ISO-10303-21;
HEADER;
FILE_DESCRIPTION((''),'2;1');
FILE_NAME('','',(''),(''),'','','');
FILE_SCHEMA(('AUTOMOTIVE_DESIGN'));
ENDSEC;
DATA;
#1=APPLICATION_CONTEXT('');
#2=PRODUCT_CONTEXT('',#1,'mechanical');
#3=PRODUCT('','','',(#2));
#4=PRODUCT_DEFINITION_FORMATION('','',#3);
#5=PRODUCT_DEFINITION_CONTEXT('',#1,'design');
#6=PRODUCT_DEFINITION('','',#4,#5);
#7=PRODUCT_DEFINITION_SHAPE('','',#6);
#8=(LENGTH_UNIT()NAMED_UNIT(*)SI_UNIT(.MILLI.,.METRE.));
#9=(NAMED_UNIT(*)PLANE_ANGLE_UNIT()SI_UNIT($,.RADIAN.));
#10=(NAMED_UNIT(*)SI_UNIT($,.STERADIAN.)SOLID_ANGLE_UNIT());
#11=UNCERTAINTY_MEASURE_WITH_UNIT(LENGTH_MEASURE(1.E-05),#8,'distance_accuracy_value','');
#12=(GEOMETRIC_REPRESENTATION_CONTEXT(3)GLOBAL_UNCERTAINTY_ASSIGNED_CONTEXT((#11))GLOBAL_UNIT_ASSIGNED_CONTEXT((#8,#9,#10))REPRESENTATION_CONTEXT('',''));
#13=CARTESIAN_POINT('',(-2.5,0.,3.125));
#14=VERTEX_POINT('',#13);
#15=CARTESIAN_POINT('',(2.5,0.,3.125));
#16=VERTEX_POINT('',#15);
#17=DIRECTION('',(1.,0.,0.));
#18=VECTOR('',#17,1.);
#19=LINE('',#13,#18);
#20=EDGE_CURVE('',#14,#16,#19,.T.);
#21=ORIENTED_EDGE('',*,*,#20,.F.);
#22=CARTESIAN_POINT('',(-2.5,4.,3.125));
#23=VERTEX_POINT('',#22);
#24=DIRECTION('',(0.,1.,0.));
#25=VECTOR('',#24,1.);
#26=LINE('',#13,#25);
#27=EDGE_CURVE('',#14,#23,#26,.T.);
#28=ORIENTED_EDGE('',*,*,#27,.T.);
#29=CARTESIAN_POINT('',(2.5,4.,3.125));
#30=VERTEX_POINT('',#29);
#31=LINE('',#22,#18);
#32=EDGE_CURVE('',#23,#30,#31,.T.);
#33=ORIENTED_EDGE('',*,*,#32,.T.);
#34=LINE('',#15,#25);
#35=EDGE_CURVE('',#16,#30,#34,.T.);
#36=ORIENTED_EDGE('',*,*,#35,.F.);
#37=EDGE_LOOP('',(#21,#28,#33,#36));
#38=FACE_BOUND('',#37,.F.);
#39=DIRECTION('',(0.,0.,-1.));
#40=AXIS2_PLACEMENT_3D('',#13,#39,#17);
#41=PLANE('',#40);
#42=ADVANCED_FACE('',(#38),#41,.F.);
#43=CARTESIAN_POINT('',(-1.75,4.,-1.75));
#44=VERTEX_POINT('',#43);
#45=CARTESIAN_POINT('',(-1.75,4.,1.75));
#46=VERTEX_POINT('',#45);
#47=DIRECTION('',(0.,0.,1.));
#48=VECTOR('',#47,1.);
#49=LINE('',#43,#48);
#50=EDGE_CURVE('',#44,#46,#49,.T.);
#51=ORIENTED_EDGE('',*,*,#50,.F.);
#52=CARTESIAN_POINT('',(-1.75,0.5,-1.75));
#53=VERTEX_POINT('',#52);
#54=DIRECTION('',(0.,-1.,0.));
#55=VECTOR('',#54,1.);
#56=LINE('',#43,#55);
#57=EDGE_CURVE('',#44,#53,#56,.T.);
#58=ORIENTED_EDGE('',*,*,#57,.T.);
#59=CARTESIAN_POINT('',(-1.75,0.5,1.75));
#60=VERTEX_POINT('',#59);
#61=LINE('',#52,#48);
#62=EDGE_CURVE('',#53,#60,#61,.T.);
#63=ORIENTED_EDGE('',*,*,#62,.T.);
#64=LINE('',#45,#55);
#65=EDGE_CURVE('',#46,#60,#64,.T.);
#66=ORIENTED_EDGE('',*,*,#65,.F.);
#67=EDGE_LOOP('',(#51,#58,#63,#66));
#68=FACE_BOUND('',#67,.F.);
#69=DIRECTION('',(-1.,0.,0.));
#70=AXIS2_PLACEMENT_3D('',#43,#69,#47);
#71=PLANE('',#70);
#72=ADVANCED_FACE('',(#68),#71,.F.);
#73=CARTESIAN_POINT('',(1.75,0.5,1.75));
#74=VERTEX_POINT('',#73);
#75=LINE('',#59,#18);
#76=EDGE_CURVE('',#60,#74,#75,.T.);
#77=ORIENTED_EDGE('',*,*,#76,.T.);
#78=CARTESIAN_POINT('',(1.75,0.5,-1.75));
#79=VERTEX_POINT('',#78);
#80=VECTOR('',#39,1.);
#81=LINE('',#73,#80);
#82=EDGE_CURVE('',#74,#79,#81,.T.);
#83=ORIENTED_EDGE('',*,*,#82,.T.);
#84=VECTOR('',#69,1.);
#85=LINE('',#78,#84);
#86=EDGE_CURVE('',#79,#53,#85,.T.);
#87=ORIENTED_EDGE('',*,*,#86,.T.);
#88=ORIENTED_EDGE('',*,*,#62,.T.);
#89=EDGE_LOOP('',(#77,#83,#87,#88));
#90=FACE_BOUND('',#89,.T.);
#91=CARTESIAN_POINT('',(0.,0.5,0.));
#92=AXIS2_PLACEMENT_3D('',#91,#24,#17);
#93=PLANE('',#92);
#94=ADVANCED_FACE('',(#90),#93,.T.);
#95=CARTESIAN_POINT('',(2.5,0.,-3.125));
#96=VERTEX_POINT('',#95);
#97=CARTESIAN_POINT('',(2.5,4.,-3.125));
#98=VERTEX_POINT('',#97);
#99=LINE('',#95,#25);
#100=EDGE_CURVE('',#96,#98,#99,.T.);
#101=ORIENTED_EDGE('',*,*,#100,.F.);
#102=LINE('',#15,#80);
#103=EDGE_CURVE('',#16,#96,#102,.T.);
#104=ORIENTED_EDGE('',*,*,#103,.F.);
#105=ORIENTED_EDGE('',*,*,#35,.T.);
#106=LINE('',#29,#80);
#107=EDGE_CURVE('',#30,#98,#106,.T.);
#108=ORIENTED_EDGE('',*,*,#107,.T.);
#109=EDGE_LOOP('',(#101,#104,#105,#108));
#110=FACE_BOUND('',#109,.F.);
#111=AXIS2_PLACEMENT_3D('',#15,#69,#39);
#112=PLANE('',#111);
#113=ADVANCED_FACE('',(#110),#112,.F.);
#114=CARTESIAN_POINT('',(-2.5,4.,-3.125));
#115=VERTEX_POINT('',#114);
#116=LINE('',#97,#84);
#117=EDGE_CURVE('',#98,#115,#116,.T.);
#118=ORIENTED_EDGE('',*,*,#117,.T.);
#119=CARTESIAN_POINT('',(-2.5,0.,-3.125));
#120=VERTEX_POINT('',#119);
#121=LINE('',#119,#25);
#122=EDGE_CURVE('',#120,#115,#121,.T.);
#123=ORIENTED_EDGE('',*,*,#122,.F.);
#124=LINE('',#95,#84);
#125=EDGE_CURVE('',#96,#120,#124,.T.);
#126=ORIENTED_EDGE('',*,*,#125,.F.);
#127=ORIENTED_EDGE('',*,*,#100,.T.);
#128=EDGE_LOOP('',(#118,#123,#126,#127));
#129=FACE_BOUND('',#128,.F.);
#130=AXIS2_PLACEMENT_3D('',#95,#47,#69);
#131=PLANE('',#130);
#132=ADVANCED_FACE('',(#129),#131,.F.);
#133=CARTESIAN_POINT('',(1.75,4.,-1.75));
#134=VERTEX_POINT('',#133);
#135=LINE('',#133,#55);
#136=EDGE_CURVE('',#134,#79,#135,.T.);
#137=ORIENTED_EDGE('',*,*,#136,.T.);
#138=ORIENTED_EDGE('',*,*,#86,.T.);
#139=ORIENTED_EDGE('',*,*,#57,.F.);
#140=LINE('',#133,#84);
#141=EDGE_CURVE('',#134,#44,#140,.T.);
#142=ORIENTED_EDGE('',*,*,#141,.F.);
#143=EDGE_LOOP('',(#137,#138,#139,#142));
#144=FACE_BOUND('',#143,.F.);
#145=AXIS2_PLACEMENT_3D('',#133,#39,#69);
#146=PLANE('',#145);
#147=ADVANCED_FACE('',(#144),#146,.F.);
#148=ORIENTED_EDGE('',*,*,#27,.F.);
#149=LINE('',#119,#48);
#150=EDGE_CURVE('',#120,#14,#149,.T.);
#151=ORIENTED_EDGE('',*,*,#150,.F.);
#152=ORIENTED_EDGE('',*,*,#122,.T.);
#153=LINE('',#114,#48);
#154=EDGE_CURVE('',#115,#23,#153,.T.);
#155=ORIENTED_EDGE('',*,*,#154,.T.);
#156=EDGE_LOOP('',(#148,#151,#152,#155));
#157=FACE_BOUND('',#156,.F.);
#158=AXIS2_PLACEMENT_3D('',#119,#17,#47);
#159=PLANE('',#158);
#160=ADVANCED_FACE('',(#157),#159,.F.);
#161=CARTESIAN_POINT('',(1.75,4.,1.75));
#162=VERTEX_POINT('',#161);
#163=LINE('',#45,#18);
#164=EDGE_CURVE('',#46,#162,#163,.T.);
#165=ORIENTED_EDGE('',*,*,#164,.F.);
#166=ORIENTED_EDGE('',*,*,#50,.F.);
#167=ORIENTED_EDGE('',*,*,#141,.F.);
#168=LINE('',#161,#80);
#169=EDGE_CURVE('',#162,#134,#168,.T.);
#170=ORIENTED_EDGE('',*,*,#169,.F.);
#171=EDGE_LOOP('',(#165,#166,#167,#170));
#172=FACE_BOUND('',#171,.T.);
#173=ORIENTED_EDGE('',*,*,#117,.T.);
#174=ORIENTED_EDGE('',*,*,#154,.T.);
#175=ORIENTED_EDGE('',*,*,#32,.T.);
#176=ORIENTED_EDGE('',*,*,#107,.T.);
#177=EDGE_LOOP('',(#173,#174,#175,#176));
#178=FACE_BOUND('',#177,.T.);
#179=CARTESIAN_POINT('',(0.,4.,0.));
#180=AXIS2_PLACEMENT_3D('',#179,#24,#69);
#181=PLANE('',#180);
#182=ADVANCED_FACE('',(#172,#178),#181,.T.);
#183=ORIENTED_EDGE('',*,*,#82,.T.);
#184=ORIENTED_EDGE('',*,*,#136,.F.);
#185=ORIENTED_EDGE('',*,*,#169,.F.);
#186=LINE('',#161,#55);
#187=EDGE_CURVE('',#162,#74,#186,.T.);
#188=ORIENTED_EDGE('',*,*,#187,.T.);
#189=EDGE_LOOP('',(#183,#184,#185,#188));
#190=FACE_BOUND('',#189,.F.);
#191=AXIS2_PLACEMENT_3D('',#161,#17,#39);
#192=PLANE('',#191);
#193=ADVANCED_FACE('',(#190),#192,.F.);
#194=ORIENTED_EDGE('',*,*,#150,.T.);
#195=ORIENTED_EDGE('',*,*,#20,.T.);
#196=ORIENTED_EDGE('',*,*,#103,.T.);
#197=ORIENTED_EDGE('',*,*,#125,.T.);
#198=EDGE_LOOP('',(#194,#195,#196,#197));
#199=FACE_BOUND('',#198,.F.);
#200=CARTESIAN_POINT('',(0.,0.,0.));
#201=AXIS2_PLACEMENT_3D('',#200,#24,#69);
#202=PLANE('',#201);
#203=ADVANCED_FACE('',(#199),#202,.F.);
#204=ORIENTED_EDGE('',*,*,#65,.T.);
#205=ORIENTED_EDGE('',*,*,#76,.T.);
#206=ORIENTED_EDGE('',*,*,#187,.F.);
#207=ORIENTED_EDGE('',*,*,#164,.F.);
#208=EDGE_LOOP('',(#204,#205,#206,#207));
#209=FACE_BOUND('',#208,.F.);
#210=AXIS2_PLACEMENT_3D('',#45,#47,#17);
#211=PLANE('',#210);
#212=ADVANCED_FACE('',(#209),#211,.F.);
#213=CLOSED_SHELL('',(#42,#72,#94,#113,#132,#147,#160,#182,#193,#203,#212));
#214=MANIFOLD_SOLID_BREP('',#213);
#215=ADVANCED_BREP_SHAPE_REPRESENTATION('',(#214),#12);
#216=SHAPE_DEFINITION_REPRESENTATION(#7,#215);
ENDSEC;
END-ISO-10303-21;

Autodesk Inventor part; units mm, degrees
ref_plane "YZ Plane" through (0, 0, 0) normal (1, 0, 0) x (0, 1, 0)
ref_plane "XZ Plane" through (0, 0, 0) normal (0, 1, 0) x (-1, 0, 0)
ref_plane "XY Plane" through (0, 0, 0) normal (0, 0, 1) x (1, 0, 0)
sketch "Sketch1" plane through (0, 0, 0) normal (0, 1, 0) x (-1, 0, 0)
  line L0 (2.5, 3.125) -> (-2.5, 3.125)
  line L1 (-2.5, 3.125) -> (-2.5, -3.125)
  line L2 (-2.5, -3.125) -> (2.5, -3.125)
  line L3 (2.5, -3.125) -> (2.5, 3.125)
  dimension "d3" = 5
extrude "Extrusion1" add sketch "Sketch1" along normal blind 4
sketch "Sketch2" plane through (0, 4, 0) normal (0, 1, 0) x (1, 0, 0)
  line L0 (-1.75, -1.75) -> (1.75, -1.75)
  line L1 (1.75, -1.75) -> (1.75, 1.75)
  line L2 (1.75, 1.75) -> (-1.75, 1.75)
  line L3 (-1.75, 1.75) -> (-1.75, -1.75)
  dimension "d9" = 3.5
extrude "Extrusion2" cut sketch "Sketch2" against normal blind 3.5
properties part number "Double Slit Centre Piece"
